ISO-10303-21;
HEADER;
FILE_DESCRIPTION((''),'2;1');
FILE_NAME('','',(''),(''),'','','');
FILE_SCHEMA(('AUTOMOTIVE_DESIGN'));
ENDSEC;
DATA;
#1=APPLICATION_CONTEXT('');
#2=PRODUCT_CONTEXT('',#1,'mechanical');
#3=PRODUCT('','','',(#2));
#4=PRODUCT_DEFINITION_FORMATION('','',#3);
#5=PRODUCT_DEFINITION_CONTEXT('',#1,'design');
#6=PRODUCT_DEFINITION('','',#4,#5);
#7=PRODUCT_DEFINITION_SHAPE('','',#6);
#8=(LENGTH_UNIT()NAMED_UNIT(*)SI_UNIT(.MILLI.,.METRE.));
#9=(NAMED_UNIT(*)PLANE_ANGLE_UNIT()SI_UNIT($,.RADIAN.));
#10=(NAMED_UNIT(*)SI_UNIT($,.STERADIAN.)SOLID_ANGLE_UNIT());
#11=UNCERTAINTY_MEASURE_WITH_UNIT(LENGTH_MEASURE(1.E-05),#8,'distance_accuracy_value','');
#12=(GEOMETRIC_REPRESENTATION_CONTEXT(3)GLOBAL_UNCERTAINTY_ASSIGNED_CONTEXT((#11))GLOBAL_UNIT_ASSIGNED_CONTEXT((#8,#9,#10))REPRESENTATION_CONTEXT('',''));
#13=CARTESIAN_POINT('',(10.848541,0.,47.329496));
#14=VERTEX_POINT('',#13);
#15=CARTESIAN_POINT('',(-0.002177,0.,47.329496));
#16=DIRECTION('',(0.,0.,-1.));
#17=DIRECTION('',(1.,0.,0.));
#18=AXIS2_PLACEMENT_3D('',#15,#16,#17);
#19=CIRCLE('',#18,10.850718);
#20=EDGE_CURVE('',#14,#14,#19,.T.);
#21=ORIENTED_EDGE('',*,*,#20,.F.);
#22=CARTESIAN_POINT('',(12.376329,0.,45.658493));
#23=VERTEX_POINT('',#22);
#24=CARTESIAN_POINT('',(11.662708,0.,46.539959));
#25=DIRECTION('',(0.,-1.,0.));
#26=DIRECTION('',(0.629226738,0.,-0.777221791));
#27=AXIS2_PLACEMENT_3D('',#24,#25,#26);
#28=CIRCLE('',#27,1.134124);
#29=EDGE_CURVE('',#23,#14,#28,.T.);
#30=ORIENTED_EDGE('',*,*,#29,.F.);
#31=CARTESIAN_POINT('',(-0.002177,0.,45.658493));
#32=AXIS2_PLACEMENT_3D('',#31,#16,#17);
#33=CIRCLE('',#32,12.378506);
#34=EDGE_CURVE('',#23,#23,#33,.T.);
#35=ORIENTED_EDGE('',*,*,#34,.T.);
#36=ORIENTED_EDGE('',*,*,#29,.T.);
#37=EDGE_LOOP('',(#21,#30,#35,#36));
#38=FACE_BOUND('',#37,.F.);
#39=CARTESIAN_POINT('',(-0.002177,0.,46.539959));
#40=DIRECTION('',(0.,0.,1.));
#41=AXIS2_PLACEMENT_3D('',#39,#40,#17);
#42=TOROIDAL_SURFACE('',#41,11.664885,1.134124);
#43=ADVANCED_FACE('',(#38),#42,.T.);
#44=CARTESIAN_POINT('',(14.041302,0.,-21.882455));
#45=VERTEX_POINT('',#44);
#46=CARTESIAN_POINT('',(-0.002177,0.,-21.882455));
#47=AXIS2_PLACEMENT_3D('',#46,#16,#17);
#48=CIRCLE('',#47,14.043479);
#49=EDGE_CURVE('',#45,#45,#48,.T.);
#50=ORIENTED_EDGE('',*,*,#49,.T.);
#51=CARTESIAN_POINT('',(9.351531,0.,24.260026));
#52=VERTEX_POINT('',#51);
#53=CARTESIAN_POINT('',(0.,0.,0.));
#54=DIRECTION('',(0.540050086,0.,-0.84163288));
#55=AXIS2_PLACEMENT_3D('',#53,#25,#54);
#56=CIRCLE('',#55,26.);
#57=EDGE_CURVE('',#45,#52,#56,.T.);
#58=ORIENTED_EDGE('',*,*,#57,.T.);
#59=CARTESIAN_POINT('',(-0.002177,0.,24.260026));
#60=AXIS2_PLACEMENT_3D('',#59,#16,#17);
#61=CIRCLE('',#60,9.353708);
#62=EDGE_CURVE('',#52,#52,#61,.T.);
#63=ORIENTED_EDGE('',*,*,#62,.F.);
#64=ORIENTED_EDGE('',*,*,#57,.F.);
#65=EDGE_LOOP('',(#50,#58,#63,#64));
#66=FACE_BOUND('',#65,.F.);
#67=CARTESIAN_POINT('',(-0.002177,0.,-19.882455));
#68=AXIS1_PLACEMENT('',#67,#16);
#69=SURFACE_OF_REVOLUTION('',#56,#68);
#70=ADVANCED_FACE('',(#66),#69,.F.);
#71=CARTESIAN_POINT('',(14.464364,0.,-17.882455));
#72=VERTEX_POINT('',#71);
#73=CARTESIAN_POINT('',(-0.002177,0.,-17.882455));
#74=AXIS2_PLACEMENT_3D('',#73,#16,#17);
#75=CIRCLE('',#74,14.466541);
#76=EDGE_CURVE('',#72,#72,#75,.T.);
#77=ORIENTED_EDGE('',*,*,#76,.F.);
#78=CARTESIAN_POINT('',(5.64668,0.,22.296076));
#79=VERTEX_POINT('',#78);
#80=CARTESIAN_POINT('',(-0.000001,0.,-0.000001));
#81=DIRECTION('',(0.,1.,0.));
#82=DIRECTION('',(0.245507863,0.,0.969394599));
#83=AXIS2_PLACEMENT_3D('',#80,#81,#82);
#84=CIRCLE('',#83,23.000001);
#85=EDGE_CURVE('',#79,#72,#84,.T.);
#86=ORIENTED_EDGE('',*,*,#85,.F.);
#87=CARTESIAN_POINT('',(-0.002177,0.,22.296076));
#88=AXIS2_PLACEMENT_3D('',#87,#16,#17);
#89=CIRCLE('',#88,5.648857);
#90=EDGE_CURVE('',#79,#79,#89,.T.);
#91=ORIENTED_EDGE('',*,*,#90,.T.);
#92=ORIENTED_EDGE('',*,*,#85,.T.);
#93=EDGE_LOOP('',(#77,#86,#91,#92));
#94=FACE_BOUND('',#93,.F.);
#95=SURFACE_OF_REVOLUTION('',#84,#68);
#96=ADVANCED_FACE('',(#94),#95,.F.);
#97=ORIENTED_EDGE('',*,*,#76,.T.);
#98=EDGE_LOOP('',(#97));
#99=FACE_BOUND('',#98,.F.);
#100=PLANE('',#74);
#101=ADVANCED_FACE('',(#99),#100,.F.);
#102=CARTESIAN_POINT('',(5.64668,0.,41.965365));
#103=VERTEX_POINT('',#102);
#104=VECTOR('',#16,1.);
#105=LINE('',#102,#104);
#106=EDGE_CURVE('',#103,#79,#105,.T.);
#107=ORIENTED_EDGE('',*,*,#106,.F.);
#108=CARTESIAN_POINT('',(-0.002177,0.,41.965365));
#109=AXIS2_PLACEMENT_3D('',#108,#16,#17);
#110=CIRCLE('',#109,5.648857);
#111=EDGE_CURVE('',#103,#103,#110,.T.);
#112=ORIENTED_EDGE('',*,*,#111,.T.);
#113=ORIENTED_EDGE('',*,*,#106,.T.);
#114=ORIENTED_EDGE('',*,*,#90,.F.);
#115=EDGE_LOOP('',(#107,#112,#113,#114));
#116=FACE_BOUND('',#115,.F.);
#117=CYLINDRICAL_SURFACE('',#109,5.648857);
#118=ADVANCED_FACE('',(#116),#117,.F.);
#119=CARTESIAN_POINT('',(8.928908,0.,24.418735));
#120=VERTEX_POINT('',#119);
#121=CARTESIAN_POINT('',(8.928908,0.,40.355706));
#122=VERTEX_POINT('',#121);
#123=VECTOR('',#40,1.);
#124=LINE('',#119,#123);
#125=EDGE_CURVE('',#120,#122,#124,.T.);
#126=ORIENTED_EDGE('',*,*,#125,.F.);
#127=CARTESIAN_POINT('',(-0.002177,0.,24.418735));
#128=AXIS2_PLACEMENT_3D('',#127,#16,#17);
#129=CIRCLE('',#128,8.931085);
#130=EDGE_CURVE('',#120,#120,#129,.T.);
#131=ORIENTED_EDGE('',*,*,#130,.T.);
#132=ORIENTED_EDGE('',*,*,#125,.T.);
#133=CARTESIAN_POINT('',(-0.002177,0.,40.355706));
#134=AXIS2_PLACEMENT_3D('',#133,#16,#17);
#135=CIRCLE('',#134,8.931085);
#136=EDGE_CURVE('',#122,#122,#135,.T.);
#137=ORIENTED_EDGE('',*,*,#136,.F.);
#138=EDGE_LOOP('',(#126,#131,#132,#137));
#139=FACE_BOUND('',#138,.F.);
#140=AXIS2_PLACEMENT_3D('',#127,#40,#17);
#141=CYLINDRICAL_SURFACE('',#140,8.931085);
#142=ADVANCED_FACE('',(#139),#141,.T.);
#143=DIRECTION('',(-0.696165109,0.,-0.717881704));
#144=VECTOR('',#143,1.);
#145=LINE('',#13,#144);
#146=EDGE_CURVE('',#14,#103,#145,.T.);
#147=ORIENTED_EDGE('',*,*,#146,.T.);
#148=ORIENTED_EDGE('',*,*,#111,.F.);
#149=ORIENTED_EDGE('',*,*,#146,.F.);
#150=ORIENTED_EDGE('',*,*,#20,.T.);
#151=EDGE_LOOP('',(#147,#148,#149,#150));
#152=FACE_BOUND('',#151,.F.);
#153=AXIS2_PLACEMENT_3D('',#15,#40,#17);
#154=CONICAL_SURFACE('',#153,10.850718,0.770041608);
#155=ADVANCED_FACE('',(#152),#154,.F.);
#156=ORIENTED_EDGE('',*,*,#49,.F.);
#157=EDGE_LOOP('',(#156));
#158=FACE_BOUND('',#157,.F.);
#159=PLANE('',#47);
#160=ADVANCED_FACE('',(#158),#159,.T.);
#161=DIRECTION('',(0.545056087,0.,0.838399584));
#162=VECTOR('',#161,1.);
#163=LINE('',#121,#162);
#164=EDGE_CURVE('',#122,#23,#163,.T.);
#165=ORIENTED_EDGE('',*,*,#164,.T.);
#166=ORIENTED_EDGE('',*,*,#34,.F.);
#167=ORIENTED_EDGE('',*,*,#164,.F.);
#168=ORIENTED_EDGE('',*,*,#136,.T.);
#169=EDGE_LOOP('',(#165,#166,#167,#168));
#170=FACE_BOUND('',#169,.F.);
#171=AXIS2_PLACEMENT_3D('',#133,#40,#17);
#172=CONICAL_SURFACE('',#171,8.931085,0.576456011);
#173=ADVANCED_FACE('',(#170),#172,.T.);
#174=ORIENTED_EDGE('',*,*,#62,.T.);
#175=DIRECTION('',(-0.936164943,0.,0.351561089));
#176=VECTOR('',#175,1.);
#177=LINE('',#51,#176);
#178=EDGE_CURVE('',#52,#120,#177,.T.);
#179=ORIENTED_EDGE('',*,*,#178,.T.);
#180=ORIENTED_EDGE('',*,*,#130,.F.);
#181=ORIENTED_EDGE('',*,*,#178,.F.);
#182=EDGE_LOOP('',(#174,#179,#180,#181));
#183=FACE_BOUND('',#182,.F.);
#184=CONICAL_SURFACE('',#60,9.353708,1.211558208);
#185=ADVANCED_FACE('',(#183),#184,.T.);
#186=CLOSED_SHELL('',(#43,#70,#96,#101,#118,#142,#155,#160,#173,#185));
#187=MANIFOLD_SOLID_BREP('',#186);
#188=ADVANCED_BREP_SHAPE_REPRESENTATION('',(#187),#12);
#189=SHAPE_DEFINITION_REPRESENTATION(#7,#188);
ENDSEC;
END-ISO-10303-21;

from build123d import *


with BuildPart() as f1:
    # F0 (on Front) → F1 (revolve)
    with BuildSketch(Plane.XZ):
        with BuildLine():
            Line((8.928908, 24.418735), (8.928908, 40.355706))
            Line((8.928908, 40.355706), (12.376329, 45.658493))
            ThreePointArc((12.376329, 45.658493), (12.49972, 47.305235), (10.848541, 47.329496))
            Line((10.848541, 47.329496), (5.64668, 41.965365))
            Line((5.64668, 41.965365), (5.64668, 22.296076))
            ThreePointArc((5.64668, 22.296076), (22.465353, 4.930304), (14.464364, -17.882455))
            Line((14.464364, -17.882455), (-0.002177, -17.882455))
            Line((-0.002177, -17.882455), (-0.002177, -21.882455))
            Line((-0.002177, -21.882455), (14.041302, -21.882455))
            ThreePointArc((14.041302, -21.882455), (25.866741, 2.629011), (9.351531, 24.260026))
            Line((9.351531, 24.260026), (8.928908, 24.418735))
        make_face()
    revolve(axis=Axis((-0.002177, 0, -19.882455), (0, 0, -1)))


solid = f1.part
